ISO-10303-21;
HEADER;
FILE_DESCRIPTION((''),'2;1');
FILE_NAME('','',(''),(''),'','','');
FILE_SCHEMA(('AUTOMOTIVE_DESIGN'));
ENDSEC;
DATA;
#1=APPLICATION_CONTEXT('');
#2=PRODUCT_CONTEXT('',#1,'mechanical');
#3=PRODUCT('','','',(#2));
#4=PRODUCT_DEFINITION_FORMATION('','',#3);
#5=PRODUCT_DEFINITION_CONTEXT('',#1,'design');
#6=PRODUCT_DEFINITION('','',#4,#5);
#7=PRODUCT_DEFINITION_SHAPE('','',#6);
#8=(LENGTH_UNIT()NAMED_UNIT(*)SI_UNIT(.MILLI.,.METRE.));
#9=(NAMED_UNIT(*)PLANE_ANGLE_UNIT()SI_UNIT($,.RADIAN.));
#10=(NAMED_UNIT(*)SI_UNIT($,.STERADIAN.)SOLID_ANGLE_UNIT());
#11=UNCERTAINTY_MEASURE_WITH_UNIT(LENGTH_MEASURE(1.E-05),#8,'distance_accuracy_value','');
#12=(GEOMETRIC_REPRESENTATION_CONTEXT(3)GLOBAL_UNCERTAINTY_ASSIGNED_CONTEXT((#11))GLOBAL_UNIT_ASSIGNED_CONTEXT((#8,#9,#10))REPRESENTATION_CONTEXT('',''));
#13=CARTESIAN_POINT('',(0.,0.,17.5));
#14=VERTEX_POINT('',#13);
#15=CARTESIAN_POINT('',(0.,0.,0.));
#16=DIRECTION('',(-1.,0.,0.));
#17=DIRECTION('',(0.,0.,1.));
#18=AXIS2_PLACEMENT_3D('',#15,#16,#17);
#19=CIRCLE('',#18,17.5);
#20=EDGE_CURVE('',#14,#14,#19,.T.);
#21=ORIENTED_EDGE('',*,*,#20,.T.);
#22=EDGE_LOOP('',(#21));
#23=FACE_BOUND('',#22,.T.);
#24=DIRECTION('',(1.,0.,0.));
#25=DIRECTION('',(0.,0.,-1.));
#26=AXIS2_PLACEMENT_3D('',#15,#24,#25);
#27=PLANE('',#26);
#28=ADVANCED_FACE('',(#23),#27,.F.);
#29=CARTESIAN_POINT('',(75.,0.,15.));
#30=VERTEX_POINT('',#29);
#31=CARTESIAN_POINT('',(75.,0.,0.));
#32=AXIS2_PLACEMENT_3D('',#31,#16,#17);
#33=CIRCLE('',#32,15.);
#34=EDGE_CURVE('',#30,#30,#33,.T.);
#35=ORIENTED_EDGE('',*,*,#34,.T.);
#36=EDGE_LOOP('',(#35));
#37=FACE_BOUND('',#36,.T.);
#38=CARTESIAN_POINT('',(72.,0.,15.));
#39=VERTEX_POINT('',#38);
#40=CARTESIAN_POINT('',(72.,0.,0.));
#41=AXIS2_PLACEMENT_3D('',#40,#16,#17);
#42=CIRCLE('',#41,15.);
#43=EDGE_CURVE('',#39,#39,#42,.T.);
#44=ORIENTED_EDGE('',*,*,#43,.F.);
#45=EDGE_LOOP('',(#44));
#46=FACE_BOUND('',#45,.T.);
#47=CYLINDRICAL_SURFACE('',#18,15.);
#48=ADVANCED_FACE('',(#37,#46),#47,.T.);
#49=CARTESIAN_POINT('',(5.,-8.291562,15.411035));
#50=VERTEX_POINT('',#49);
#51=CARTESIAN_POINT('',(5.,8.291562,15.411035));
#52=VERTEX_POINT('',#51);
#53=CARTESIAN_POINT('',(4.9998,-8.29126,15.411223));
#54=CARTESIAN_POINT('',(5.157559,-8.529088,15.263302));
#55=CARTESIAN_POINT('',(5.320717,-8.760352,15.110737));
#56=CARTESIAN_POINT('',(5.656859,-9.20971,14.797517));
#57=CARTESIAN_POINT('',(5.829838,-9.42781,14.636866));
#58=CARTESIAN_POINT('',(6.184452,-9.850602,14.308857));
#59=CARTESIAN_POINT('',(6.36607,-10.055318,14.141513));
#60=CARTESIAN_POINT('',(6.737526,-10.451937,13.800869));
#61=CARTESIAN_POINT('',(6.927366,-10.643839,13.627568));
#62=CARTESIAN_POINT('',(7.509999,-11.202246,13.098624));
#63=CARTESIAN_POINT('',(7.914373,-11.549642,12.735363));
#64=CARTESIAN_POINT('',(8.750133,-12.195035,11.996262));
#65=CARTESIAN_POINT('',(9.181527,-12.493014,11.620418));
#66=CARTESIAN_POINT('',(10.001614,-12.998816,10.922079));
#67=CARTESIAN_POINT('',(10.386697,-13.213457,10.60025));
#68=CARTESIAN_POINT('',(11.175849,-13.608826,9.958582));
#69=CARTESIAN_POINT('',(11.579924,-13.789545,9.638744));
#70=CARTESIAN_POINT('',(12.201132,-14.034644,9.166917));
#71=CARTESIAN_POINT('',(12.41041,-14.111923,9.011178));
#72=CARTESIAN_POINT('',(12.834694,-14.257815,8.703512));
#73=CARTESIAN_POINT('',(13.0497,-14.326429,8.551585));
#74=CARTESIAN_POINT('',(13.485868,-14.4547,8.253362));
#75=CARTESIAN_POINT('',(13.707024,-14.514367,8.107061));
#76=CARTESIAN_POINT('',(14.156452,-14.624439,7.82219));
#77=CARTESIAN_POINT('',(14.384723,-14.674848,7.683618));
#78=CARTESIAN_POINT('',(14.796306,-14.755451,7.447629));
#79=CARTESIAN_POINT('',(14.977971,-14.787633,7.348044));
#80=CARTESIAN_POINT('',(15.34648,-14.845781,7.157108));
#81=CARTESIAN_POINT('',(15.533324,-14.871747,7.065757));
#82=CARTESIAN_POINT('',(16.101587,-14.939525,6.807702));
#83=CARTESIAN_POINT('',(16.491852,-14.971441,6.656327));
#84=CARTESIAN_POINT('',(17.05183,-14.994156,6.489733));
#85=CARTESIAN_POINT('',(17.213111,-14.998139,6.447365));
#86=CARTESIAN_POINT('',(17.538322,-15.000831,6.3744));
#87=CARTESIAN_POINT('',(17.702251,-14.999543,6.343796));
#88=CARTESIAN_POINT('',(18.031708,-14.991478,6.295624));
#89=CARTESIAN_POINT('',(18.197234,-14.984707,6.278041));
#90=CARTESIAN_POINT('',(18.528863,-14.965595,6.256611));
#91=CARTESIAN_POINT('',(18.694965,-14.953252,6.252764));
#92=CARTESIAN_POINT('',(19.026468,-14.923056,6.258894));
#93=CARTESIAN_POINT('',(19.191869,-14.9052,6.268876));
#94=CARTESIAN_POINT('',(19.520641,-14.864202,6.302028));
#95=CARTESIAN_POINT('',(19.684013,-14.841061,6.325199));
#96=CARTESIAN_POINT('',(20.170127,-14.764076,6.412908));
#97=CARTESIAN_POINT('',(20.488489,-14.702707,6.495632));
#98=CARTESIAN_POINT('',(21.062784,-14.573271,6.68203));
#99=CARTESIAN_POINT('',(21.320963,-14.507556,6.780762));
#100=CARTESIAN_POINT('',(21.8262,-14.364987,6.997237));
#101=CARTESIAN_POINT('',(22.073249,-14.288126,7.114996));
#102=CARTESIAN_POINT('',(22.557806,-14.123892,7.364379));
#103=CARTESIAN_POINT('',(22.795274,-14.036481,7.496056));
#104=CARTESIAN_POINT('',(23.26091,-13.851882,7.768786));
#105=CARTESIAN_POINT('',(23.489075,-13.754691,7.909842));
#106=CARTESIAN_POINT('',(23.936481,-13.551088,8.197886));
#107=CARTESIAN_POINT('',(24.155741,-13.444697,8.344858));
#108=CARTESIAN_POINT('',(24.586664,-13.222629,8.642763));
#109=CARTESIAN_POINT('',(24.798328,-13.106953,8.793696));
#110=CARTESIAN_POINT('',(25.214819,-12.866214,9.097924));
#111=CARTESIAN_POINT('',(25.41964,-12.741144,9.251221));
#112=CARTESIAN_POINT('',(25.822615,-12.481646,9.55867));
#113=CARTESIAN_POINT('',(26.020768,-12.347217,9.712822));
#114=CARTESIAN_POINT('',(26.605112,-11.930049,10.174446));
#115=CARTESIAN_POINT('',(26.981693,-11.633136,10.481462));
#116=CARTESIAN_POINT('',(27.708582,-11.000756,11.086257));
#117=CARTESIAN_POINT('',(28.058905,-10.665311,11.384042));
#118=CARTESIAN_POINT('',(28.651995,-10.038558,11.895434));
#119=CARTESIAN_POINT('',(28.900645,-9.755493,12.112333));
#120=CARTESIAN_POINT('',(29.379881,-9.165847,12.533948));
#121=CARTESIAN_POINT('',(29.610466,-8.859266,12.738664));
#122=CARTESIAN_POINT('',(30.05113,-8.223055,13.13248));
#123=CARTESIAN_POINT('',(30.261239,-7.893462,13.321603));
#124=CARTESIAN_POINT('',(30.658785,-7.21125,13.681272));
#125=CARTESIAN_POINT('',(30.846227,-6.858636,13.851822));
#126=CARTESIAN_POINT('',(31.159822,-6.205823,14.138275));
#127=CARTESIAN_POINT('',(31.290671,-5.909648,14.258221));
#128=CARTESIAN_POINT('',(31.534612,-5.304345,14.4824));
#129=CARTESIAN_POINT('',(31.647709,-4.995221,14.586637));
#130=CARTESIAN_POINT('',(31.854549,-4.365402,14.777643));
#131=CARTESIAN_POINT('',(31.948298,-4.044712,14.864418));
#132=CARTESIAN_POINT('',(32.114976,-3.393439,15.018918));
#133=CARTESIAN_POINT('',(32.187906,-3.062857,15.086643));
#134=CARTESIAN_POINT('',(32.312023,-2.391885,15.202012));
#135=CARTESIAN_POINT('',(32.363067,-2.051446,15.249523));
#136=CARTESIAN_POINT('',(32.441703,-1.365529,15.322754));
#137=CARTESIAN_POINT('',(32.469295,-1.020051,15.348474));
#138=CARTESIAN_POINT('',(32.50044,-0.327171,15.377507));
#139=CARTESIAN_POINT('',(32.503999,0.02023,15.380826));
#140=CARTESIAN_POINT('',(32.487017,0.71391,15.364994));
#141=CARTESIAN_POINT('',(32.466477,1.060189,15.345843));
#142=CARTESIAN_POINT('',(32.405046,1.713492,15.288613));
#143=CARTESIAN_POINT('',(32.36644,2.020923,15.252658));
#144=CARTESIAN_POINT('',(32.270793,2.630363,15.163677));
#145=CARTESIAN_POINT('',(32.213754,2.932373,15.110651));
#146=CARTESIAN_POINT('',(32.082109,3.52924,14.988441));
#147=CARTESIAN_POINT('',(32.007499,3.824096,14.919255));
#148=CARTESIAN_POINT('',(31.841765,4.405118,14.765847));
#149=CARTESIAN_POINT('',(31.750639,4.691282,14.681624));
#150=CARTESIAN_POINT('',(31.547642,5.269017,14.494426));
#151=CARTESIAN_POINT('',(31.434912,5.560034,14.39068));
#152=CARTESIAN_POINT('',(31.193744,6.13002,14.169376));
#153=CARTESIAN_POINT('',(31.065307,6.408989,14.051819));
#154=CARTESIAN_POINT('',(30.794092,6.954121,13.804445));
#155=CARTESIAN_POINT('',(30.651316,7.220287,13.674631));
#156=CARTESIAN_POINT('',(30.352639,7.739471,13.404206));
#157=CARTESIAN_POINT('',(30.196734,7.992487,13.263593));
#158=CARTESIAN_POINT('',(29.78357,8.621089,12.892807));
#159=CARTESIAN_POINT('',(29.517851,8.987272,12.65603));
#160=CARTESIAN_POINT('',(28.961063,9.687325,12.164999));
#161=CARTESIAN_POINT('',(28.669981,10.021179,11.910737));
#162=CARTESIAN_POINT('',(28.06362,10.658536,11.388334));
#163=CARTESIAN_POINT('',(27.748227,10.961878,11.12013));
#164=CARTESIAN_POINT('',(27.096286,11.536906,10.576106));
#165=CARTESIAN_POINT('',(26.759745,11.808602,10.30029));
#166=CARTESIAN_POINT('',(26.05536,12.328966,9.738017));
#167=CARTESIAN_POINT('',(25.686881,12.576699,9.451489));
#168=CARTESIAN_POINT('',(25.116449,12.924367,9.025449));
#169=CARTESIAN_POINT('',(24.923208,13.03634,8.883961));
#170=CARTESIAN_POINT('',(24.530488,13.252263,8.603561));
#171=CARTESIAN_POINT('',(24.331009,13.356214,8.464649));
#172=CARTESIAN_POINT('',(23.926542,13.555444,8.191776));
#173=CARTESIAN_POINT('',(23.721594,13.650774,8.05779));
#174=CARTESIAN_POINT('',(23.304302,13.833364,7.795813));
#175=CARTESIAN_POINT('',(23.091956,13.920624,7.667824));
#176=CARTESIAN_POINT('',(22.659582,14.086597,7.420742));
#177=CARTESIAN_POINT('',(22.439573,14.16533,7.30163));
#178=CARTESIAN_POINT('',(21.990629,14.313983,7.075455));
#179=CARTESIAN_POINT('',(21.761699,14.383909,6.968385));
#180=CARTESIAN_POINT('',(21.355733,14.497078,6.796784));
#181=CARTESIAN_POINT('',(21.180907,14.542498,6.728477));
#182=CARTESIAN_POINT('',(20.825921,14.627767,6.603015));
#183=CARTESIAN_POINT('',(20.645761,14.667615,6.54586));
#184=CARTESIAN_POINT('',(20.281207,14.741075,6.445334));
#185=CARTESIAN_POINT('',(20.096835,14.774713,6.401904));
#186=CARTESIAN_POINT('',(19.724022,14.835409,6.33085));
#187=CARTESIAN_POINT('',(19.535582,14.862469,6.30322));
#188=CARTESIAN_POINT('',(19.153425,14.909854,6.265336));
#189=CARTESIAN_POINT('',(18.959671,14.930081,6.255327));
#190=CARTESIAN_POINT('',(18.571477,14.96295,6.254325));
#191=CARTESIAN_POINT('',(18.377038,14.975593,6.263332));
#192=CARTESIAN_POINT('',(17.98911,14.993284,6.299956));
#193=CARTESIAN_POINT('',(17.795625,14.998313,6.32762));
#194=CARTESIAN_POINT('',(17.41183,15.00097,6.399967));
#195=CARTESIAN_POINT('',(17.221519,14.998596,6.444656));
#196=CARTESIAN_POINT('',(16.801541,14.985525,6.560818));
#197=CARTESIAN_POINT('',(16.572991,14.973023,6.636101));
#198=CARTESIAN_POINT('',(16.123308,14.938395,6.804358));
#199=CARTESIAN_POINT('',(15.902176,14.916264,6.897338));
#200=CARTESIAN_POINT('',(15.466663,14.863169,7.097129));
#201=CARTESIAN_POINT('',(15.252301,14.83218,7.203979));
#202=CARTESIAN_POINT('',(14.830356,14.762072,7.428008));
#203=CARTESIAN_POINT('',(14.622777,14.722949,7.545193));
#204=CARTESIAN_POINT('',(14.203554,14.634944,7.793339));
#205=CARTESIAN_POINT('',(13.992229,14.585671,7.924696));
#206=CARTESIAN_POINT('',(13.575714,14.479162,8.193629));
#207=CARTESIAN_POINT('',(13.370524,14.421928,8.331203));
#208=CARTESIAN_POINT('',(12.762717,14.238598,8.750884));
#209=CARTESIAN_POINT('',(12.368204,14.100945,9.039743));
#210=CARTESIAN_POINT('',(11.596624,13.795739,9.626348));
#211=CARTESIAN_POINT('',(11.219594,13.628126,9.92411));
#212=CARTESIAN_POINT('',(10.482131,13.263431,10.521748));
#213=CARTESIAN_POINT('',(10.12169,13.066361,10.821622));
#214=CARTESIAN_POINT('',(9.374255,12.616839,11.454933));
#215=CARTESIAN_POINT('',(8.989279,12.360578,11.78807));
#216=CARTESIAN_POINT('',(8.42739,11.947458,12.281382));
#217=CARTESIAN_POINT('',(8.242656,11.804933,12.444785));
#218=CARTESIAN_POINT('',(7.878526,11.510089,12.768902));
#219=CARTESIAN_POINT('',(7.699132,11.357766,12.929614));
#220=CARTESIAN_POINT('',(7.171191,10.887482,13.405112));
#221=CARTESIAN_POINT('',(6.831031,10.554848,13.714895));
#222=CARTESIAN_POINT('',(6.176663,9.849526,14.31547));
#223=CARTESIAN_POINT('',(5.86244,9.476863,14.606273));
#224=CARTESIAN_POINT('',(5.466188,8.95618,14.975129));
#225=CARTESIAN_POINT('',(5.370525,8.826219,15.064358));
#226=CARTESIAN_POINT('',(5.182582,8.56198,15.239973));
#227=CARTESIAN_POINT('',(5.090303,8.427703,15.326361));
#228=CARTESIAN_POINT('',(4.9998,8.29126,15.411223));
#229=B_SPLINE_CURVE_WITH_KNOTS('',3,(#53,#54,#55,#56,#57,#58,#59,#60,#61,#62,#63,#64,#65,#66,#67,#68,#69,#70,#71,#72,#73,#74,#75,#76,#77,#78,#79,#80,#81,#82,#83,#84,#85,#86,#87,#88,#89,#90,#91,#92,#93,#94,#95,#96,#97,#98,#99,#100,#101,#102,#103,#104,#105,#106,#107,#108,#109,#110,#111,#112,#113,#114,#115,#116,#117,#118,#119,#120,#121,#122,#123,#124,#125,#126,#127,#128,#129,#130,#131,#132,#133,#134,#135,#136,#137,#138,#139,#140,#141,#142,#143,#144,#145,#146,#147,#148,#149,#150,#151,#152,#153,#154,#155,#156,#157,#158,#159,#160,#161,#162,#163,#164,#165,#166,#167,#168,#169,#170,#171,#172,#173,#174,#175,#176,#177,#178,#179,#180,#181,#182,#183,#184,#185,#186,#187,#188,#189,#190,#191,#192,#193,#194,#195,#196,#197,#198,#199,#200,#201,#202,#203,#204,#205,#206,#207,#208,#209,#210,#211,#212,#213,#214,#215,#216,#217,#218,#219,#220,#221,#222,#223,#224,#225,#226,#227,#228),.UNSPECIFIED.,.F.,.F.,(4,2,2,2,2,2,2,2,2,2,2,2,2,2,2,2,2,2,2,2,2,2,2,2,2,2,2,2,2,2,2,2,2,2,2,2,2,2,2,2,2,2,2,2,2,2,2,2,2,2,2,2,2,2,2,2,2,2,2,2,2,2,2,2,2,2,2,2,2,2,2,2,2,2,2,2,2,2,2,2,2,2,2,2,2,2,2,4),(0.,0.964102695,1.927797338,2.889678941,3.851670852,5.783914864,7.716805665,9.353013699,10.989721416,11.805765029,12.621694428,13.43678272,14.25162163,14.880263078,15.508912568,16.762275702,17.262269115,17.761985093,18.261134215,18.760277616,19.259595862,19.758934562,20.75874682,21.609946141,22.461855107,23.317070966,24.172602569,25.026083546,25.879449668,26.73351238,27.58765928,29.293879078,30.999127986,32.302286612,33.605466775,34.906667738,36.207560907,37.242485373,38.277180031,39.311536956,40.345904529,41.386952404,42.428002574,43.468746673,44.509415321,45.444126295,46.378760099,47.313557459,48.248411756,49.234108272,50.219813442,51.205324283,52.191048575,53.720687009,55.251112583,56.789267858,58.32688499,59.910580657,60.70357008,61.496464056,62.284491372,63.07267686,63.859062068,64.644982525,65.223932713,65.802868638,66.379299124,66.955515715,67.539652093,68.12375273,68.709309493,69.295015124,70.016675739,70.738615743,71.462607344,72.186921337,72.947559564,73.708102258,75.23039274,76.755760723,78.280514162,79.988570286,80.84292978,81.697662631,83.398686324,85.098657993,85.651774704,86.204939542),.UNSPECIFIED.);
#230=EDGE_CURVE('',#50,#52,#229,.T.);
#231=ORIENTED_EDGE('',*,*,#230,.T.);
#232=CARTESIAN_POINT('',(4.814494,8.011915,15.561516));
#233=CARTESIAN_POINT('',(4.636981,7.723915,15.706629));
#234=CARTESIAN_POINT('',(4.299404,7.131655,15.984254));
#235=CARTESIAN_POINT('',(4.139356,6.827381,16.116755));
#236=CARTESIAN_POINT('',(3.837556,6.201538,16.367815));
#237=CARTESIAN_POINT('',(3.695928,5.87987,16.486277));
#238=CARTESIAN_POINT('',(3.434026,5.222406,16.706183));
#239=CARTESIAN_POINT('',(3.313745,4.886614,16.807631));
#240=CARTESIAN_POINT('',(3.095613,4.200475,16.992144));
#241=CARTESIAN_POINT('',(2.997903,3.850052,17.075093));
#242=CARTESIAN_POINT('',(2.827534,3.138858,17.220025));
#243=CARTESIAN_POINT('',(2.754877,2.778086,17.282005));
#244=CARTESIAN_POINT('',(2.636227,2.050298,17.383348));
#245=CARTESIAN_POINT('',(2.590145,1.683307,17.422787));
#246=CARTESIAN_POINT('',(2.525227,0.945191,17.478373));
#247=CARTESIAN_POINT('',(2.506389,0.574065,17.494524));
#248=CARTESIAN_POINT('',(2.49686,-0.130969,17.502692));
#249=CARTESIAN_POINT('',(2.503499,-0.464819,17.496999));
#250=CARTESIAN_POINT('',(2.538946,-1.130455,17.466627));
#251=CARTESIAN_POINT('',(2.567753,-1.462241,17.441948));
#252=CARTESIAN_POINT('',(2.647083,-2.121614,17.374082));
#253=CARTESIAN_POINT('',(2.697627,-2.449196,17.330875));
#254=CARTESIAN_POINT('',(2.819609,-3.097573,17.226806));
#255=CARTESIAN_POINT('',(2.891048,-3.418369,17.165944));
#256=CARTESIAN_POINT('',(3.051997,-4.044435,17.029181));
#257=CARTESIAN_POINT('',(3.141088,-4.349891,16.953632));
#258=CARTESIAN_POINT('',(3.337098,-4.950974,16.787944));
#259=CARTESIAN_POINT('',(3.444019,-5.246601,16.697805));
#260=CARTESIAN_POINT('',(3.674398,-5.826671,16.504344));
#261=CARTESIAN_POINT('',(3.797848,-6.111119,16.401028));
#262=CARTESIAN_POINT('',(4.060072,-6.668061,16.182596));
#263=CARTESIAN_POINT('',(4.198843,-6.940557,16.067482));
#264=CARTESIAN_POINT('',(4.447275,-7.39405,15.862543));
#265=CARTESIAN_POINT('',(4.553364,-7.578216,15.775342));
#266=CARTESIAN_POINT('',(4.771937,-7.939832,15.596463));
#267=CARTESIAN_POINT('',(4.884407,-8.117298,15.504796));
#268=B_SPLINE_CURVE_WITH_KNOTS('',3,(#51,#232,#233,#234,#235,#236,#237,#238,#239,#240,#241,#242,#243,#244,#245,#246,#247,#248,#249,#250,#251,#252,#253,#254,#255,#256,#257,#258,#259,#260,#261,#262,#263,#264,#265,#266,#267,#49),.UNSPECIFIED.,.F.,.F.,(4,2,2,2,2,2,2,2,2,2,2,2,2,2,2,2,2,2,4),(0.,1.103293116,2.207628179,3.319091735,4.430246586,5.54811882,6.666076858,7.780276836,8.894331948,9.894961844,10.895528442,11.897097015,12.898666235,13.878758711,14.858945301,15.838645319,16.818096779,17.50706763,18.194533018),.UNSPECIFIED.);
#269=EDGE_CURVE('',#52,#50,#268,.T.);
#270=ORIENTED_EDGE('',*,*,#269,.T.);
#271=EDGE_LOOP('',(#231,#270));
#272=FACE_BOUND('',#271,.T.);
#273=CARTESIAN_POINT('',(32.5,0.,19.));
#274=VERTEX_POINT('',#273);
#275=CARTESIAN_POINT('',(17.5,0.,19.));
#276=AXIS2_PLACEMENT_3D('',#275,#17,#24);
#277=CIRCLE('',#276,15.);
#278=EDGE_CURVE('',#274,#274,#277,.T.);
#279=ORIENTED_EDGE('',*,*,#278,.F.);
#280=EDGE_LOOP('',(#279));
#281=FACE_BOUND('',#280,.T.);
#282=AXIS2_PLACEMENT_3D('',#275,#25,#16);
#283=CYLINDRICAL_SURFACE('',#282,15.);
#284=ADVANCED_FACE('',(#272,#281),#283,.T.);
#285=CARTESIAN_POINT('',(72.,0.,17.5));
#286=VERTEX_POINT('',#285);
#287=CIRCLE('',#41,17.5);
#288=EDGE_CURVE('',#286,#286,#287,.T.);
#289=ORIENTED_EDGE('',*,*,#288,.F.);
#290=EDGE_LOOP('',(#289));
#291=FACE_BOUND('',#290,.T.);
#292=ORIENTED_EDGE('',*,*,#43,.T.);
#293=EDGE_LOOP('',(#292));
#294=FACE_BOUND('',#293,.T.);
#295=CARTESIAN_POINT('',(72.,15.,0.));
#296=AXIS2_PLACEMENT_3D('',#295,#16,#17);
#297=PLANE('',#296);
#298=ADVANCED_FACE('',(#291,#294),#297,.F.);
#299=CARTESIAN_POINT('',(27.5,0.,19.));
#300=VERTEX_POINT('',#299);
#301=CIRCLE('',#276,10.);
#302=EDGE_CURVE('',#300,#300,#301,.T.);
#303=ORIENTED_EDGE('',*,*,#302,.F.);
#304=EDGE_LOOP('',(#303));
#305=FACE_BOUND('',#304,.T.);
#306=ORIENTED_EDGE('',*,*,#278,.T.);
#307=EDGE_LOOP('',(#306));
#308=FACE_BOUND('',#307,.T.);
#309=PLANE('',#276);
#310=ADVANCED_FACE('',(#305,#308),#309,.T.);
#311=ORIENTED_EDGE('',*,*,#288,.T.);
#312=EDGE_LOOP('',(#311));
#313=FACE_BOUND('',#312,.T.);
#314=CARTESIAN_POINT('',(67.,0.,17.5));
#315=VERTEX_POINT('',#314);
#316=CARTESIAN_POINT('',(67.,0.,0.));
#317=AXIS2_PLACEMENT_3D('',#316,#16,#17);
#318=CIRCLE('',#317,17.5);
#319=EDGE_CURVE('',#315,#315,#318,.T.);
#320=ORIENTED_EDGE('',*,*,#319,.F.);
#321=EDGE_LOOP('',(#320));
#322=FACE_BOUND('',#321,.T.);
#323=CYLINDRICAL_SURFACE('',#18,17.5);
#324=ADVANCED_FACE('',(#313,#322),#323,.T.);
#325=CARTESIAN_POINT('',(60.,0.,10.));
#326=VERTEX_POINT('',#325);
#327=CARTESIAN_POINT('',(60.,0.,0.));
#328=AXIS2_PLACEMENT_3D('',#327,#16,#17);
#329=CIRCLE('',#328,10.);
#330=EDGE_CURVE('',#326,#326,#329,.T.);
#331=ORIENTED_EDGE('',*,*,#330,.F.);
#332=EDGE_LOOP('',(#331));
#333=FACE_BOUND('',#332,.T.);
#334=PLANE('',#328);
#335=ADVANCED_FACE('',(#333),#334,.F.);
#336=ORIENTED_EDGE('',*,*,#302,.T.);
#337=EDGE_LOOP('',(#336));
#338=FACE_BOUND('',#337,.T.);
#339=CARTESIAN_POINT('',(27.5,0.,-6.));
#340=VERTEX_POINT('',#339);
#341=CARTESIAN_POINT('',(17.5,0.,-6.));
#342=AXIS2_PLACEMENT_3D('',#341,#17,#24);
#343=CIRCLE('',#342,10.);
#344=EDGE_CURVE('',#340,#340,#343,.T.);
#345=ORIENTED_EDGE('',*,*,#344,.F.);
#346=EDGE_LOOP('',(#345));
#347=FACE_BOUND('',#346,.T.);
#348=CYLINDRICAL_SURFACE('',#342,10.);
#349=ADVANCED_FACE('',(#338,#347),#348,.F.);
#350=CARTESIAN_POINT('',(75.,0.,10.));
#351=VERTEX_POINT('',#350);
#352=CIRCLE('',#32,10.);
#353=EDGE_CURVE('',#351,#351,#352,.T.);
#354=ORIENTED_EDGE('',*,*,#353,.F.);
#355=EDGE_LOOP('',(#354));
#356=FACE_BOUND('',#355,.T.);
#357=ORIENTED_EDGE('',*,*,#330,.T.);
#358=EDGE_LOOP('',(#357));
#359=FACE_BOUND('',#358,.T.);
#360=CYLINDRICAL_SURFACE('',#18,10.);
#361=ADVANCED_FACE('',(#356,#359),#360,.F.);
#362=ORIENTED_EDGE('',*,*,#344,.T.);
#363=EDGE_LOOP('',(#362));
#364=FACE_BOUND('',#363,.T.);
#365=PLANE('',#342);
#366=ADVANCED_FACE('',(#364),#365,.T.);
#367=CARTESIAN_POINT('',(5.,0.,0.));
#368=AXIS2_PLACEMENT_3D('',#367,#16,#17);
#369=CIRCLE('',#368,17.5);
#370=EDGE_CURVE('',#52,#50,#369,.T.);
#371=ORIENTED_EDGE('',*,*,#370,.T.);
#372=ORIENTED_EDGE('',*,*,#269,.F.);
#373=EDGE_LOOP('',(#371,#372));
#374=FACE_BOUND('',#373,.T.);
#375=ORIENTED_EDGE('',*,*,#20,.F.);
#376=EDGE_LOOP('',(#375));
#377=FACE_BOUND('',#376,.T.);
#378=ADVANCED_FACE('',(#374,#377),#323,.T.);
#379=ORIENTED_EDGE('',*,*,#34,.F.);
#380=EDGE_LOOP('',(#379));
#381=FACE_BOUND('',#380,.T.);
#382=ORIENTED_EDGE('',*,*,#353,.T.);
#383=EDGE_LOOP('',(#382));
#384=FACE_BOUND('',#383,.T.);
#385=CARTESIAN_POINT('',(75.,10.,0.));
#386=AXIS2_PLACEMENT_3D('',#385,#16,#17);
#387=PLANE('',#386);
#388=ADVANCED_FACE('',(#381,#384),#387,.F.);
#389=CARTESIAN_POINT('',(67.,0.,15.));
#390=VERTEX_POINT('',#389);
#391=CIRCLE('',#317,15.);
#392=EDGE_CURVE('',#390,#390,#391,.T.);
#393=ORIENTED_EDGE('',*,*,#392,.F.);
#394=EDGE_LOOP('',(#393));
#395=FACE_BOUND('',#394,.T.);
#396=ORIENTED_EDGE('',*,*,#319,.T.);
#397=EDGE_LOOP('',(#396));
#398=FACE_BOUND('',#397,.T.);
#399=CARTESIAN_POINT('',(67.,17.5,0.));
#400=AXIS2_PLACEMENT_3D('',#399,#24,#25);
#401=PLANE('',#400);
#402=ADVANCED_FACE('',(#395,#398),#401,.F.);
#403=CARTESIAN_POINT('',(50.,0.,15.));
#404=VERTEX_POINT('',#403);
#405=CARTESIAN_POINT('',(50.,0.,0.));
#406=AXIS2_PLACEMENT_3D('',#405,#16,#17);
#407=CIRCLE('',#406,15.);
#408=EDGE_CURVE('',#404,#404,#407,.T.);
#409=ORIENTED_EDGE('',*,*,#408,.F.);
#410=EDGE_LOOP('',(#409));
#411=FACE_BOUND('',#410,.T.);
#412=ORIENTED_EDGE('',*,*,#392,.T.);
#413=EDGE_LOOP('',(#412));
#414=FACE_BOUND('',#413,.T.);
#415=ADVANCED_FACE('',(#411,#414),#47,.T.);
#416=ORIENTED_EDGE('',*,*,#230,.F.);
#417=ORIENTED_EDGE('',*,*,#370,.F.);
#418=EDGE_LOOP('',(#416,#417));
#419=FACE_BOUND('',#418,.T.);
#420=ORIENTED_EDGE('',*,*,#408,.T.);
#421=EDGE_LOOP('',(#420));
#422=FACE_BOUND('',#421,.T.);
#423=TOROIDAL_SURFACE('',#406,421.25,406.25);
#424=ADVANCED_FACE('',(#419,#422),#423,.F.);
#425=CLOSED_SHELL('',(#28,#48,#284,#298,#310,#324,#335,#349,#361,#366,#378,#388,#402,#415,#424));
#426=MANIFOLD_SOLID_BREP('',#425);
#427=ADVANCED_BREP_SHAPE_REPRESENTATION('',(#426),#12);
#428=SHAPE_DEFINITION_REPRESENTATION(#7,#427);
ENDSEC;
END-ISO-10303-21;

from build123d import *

# Parameters (mm, degrees)
SKETCH_2_R          = 15
EXTRUDE_1_DEPTH     = 19
SKETCH_3_R          = 10
CUT_EXTRUDE_1_DEPTH = 25


with BuildPart() as part:
    # 스케치1 → 회전1 (revolve)
    with BuildSketch(Plane.XY):
        with BuildLine():
            Line((0, 0), (0, 17.5))
            Line((0, 17.5), (5, 17.5))
            ThreePointArc((5, 17.5), (27.465304528, 15.62548151), (50, 15))
            Line((50, 15), (67, 15))
            Line((67, 15), (67, 17.5))
            Line((67, 17.5), (72, 17.5))
            Line((72, 17.5), (72, 15))
            Line((72, 15), (75, 15))
            Line((75, 15), (75, 10))
            Line((75, 10), (60, 10))
            Line((60, 10), (60, 0))
            Line((60, 0), (0, 0))
        make_face()
    revolve(axis=Axis((0, 0, 0), (1, 0, 0)))

    # 스케치2 → 보스-돌출1 (add)
    with BuildSketch(Plane.XY):
        with Locations((17.5, 0)):
            Circle(SKETCH_2_R)
    extrude(amount=EXTRUDE_1_DEPTH)

    # 스케치3 → 컷-돌출1 (cut)
    with BuildSketch(Plane.XY.offset(19)):
        with Locations((17.5, 0)):
            Circle(SKETCH_3_R)
    extrude(amount=-CUT_EXTRUDE_1_DEPTH, mode=Mode.SUBTRACT)


solid = part.part
